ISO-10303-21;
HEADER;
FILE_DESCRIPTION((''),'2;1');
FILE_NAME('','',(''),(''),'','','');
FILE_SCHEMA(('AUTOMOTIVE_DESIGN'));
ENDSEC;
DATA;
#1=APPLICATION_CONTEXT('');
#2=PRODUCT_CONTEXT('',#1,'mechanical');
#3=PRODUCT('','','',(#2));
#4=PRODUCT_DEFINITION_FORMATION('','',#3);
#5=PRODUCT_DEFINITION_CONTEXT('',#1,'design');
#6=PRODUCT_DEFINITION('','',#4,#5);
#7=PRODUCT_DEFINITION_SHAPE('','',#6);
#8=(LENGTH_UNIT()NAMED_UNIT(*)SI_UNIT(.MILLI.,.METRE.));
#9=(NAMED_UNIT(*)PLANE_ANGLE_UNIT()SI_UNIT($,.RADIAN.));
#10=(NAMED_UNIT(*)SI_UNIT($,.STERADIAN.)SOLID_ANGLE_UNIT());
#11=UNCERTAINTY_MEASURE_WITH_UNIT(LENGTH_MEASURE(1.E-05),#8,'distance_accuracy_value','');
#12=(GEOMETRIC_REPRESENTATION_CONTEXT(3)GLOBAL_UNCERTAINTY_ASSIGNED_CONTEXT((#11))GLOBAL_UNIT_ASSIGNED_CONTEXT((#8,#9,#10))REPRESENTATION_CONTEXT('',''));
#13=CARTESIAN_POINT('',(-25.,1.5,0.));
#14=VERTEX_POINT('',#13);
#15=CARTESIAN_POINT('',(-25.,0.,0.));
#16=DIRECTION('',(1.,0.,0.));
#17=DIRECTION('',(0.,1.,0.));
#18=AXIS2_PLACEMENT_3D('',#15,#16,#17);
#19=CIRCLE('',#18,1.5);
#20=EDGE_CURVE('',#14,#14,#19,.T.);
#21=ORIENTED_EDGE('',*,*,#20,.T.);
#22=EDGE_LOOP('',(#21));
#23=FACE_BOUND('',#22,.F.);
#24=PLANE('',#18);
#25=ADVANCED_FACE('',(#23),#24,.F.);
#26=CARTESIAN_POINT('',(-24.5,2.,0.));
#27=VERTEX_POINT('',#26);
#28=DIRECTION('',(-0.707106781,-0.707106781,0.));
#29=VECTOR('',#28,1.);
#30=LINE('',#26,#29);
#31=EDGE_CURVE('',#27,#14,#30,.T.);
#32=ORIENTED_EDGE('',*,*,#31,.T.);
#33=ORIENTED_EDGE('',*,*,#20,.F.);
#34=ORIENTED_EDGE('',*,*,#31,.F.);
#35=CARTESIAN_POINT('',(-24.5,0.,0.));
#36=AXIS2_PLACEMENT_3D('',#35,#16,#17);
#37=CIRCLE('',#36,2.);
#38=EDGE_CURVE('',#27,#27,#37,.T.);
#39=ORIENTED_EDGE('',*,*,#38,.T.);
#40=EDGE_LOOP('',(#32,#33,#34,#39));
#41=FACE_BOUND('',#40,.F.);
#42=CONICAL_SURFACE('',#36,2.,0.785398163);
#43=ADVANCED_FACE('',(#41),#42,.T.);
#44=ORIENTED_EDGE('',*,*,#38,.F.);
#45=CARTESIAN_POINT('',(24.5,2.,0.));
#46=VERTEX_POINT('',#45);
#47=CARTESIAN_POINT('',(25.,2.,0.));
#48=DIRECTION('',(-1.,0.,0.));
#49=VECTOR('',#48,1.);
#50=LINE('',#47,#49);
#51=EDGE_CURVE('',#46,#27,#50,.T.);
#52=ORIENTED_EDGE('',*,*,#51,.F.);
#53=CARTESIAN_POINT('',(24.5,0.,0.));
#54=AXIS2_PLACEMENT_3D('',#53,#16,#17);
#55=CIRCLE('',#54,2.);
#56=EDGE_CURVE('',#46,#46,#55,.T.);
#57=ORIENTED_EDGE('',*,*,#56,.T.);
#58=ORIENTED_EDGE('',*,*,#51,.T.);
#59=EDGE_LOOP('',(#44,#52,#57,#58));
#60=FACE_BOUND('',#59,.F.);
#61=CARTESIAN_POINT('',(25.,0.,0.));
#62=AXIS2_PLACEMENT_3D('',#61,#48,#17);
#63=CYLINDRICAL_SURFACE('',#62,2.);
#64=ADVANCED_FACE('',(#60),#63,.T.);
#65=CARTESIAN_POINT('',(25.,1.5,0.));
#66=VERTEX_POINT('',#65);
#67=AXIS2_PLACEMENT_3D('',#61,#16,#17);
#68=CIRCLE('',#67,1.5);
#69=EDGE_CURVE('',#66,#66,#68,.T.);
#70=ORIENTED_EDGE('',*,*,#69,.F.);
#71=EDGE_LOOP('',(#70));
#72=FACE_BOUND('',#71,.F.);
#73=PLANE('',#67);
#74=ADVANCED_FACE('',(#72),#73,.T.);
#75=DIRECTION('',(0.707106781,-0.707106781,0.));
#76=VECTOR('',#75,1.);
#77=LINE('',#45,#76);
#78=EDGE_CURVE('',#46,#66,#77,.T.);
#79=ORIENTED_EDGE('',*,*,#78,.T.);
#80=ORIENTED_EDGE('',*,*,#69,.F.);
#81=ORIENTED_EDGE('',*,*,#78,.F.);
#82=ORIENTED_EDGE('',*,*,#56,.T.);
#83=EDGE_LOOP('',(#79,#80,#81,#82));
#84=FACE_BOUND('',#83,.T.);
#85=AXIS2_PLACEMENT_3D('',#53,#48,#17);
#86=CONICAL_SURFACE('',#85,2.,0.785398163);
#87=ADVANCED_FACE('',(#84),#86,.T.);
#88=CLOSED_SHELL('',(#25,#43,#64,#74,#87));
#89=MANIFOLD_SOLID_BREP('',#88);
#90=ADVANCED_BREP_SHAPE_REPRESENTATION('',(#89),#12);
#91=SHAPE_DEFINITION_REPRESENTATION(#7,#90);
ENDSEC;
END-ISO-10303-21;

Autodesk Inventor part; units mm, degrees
ref_plane "YZ Plane" through (0, 0, 0) normal (1, 0, 0) x (0, 1, 0)
ref_plane "XZ Plane" through (0, 0, 0) normal (0, 1, 0) x (-1, 0, 0)
ref_plane "XY Plane" through (0, 0, 0) normal (0, 0, 1) x (1, 0, 0)
sketch "Szkic1" plane through (0, 0, 0) normal (0, 0, 1) x (1, 0, 0)
  point P0 (0, 0)
sketch "Szkic2" plane through (0, 0, 0) normal (0, 0, 1) x (1, 0, 0)
  line L0 (-25, 0) -> (25, 0)
  line L1 (25, 0) -> (25, 2)
  line L2 (25, 2) -> (-25, 2)
  line L3 (-25, 2) -> (-25, 0)
  point P0 (0, 0)
  point P1 (0, 1)
  dimension "d0" = 50
  dimension "d1" = 2
revolve "Obrót1" add sketch "Szkic2" angle 360 about axis through (-25, 0, 0) along (1, 0, 0)
chamfer "Faza1" distance 0.5 angle 45 1 edges at (25, -2, 0) measured on face at (25, 0.0679, 1.2634)
chamfer "Faza2" distance 0.5 angle 45 1 edges at (-25, -2, 0) measured on face at (-25, 0.6473, -0.1595)
